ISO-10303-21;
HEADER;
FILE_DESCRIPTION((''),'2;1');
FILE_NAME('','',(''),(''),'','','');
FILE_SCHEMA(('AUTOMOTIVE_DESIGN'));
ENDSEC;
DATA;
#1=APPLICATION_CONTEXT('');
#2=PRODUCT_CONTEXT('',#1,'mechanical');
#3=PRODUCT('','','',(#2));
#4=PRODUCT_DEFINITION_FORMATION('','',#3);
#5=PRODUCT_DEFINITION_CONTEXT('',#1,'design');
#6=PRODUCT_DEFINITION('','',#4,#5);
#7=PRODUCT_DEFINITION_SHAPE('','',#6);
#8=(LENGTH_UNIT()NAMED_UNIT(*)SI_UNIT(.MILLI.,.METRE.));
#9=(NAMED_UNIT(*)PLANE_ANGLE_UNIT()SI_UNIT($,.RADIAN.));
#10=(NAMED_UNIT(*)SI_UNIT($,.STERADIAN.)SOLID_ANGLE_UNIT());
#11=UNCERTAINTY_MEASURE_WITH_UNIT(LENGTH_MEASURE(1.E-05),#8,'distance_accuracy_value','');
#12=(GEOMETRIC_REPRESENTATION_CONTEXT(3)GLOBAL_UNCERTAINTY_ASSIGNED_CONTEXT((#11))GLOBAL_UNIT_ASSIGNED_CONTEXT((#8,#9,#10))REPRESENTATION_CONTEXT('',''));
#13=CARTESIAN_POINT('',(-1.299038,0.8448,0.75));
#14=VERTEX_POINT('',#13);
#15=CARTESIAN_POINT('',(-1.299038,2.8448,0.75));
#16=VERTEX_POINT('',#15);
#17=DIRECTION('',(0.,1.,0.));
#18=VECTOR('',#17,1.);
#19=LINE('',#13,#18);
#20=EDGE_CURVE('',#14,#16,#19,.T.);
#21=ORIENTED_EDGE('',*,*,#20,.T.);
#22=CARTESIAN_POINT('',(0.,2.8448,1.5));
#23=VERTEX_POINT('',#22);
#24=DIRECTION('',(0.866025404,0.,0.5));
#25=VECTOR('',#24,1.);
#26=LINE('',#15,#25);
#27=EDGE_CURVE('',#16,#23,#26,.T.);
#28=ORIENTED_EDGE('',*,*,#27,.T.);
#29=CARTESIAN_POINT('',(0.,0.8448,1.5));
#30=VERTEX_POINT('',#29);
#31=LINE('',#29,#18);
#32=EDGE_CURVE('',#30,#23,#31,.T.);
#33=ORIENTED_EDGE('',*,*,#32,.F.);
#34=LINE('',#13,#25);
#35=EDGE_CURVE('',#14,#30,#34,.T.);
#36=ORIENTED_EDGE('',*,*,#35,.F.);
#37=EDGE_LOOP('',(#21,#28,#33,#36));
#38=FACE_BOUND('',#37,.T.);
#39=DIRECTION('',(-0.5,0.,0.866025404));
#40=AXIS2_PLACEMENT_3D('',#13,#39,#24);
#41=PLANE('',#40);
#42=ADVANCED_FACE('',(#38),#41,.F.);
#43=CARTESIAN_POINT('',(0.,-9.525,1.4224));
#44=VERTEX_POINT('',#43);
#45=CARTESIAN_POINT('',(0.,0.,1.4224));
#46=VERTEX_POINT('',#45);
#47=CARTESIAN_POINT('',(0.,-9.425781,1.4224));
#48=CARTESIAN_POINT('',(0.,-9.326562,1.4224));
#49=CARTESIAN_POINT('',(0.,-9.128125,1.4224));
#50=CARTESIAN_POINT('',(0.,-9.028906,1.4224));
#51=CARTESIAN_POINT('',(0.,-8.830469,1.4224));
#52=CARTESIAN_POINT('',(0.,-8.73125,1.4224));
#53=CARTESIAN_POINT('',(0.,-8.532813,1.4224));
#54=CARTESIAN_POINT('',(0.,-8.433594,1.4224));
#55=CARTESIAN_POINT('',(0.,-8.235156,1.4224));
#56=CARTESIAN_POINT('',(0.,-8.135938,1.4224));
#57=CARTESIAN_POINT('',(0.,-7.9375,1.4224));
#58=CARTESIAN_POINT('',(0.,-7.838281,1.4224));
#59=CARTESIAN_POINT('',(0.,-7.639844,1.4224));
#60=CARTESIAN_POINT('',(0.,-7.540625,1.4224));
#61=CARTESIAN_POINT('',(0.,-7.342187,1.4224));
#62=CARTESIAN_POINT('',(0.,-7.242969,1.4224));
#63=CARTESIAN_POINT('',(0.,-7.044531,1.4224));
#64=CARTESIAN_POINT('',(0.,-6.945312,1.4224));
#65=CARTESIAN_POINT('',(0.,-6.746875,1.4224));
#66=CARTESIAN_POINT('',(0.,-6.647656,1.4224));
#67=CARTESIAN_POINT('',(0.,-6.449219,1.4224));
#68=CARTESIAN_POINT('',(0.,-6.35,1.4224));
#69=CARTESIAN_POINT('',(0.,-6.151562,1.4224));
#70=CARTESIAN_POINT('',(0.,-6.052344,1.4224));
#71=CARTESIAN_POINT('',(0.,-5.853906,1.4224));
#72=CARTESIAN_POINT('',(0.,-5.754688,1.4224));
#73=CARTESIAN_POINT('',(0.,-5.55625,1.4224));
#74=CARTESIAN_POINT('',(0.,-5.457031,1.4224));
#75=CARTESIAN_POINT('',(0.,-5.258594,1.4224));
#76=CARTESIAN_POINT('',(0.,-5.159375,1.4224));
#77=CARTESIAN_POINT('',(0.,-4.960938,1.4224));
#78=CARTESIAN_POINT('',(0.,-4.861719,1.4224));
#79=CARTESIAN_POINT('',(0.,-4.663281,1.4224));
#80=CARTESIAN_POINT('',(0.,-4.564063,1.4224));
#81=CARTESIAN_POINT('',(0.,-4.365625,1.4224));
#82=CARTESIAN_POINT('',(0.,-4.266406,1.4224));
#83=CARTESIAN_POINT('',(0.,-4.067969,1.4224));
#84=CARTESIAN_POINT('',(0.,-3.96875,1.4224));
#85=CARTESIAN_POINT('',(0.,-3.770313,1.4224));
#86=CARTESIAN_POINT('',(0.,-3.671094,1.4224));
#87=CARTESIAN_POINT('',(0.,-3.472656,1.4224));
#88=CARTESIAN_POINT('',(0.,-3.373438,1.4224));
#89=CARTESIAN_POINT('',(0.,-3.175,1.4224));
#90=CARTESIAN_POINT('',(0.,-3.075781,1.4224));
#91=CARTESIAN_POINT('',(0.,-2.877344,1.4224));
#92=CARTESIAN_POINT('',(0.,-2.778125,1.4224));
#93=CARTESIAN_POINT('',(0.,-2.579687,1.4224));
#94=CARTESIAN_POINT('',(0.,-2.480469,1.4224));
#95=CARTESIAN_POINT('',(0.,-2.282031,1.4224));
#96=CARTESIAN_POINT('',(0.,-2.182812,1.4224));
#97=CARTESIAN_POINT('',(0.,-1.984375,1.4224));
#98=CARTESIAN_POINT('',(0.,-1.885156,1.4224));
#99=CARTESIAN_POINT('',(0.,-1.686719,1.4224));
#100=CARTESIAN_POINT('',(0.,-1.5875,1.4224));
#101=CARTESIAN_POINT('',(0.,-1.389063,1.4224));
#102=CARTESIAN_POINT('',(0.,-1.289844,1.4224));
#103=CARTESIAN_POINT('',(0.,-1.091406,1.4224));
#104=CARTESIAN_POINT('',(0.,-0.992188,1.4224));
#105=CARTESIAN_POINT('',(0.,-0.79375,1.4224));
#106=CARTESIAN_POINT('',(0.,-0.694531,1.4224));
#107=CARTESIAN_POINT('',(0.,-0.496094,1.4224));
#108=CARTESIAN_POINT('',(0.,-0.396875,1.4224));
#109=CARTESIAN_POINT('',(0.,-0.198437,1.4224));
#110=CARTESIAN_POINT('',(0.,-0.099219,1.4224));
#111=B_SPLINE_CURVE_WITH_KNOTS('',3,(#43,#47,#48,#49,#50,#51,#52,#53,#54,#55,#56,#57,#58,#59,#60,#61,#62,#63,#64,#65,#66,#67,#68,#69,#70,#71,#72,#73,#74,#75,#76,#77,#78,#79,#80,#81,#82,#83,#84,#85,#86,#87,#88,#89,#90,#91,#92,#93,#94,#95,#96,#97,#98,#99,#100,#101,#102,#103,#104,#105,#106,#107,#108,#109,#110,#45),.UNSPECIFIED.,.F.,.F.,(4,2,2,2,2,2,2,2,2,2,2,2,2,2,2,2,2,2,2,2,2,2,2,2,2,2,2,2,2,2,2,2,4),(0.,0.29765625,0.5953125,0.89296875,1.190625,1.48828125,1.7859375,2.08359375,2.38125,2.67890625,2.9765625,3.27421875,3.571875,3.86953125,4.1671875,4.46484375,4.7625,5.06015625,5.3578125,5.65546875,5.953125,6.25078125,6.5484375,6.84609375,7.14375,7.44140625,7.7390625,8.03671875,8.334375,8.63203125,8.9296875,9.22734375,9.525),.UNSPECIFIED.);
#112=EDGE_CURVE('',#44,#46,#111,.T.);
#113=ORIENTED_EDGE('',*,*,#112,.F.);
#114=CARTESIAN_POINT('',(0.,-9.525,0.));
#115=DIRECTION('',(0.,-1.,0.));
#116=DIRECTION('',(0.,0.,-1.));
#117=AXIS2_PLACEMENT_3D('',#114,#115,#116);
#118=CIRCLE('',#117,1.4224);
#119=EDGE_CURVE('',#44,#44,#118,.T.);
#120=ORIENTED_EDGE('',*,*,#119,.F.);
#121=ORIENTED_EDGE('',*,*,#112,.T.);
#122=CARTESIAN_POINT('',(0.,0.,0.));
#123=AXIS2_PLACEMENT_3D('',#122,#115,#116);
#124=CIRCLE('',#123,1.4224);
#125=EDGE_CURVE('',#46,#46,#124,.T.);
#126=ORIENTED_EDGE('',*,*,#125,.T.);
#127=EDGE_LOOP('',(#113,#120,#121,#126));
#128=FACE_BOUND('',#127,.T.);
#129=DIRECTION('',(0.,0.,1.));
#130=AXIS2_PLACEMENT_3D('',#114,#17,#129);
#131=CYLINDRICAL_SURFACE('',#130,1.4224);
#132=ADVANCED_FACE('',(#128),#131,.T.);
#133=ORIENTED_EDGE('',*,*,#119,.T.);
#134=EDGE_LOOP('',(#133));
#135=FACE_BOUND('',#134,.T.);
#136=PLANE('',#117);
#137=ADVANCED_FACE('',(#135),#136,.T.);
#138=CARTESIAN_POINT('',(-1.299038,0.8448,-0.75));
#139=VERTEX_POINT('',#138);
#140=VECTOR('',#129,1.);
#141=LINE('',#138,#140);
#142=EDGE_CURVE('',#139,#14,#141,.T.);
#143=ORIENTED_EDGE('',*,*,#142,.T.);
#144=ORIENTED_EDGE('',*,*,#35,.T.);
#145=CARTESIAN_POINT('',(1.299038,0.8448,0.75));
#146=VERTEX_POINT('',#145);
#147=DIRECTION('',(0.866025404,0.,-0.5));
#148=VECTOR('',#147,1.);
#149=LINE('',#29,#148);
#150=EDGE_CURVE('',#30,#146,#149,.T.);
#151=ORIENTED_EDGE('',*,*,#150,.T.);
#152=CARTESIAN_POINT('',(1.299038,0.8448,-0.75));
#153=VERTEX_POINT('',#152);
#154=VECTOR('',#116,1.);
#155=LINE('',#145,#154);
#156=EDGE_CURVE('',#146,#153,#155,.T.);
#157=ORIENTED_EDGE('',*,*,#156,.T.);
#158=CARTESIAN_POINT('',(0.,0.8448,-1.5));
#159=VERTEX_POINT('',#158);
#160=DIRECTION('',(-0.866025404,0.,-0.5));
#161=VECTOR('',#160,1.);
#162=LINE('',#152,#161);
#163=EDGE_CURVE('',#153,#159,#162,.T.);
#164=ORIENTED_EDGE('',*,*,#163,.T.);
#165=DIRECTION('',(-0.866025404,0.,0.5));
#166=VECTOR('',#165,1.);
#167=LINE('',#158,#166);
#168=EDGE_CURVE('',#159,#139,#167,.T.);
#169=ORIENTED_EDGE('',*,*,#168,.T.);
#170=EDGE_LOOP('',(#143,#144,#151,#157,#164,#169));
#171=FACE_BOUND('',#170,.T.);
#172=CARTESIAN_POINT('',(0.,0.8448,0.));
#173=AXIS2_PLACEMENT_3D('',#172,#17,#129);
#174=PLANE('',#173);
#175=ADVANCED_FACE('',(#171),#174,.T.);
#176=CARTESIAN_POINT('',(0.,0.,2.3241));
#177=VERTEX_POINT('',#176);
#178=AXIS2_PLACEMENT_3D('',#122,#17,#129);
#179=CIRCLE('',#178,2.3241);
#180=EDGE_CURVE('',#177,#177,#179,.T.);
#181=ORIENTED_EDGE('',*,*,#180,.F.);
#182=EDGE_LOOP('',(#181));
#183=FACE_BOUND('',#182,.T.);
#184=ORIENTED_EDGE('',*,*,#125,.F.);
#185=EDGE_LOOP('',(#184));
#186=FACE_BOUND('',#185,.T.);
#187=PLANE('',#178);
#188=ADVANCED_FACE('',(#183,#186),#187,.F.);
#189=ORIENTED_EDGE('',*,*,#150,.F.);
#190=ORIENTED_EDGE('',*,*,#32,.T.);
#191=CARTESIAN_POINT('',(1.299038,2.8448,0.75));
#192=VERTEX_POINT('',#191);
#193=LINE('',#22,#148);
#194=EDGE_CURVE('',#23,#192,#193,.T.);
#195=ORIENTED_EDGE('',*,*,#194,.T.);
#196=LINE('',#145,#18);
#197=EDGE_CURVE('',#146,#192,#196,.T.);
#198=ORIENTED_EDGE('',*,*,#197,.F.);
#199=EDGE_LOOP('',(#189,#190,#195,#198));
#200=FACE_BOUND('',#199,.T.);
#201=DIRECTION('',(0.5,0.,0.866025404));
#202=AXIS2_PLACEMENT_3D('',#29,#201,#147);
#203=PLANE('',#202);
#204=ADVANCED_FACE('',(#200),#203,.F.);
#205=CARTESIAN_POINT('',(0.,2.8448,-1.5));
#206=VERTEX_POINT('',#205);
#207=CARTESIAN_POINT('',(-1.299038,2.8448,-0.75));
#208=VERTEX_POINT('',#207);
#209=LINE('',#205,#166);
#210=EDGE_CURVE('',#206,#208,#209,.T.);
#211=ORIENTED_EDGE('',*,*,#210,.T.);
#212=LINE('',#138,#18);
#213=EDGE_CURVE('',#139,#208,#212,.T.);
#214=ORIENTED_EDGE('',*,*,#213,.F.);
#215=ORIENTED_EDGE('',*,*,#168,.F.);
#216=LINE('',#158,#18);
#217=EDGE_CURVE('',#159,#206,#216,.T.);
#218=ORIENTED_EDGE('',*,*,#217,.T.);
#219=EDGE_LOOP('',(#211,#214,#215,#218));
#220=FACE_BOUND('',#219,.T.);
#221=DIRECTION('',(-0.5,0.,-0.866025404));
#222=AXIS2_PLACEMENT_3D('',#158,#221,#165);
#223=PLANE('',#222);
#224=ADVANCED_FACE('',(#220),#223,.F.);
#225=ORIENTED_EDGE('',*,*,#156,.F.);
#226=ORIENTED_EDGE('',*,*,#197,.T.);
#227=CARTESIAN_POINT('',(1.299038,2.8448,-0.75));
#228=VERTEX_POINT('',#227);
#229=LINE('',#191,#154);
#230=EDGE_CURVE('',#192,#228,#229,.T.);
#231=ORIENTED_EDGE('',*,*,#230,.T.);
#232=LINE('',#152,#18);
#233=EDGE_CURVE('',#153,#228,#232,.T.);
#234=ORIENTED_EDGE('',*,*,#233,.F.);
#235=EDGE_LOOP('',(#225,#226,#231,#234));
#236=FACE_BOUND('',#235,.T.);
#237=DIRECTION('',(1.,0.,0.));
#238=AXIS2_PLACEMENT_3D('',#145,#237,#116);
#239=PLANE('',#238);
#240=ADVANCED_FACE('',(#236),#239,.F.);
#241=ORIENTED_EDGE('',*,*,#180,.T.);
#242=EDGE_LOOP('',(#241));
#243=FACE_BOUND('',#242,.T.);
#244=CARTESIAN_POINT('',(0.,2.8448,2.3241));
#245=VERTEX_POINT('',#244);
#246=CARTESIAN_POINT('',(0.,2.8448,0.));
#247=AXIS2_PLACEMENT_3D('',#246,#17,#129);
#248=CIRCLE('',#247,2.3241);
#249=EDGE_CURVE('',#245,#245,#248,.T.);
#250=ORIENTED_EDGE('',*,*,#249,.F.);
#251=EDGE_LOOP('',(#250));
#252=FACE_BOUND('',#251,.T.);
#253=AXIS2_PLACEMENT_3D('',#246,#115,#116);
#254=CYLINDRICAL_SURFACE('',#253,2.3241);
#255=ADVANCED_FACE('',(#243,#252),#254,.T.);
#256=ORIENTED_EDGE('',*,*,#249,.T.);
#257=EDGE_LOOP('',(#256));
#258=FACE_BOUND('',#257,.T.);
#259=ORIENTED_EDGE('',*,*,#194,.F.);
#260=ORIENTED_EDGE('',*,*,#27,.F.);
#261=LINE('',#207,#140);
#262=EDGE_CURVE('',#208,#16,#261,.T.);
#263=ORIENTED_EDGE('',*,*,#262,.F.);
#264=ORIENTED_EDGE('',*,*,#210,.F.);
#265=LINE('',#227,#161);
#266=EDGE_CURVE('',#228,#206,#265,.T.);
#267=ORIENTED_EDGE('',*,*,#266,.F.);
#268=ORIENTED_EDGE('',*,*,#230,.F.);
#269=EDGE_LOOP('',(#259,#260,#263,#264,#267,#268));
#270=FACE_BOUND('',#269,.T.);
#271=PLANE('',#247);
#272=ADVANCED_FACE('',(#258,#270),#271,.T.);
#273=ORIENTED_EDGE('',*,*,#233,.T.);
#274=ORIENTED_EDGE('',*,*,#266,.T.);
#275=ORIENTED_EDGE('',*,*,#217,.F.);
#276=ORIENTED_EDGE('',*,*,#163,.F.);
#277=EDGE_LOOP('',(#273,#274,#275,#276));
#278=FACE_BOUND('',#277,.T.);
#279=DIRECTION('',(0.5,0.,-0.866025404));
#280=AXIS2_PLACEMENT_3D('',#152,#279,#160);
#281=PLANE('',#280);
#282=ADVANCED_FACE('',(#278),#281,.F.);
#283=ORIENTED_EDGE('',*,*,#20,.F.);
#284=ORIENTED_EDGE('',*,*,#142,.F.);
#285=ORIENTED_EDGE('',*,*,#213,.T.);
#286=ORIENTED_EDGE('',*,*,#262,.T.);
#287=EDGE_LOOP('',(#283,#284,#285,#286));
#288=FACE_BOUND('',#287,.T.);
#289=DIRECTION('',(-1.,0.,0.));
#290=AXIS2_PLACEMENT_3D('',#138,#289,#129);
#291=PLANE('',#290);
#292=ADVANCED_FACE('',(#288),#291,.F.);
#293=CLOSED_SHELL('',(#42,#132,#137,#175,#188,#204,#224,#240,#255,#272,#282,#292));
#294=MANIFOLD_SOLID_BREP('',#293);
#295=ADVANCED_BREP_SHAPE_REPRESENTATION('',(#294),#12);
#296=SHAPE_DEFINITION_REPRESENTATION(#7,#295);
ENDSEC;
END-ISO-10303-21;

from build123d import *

# Parameters (mm, degrees)
SKETCH1_R           = 2.3241
BOSS_EXTRUDE1_DEPTH = 2.8448
CUT_EXTRUDE1_DEPTH  = 2
SKETCH4_R           = 1.4224
BOSS_EXTRUDE2_DEPTH = 9.525


with BuildPart() as part:
    # Sketch1 → Boss-Extrude1 (new body)
    with BuildSketch(Plane(origin=(0, 0, 0), x_dir=(1, 0, 0), z_dir=(0, 1, 0))):
        with Locations(Location((0, 0, 0), (0, 0, 270))):
            Circle(SKETCH1_R)
    extrude(amount=BOSS_EXTRUDE1_DEPTH)

    # Sketch3 → Cut-Extrude1 (cut)
    with BuildSketch(Plane(origin=(0, 2.8448, 0), x_dir=(1, 0, 0), z_dir=(0, 1, 0))):
        Polygon((-1.299038106, 0.75), (-1.299038106, -0.75), (0, -1.5), (1.299038106, -0.75), (1.299038106, 0.75), (0, 1.5), align=None)
    extrude(amount=-CUT_EXTRUDE1_DEPTH, mode=Mode.SUBTRACT)

    # Sketch4 → Boss-Extrude2 (add)
    with BuildSketch(Plane.XZ):
        with Locations(Location((0, 0, 0), (0, 0, 90))):
            Circle(SKETCH4_R)
    extrude(amount=BOSS_EXTRUDE2_DEPTH)


solid = part.part
